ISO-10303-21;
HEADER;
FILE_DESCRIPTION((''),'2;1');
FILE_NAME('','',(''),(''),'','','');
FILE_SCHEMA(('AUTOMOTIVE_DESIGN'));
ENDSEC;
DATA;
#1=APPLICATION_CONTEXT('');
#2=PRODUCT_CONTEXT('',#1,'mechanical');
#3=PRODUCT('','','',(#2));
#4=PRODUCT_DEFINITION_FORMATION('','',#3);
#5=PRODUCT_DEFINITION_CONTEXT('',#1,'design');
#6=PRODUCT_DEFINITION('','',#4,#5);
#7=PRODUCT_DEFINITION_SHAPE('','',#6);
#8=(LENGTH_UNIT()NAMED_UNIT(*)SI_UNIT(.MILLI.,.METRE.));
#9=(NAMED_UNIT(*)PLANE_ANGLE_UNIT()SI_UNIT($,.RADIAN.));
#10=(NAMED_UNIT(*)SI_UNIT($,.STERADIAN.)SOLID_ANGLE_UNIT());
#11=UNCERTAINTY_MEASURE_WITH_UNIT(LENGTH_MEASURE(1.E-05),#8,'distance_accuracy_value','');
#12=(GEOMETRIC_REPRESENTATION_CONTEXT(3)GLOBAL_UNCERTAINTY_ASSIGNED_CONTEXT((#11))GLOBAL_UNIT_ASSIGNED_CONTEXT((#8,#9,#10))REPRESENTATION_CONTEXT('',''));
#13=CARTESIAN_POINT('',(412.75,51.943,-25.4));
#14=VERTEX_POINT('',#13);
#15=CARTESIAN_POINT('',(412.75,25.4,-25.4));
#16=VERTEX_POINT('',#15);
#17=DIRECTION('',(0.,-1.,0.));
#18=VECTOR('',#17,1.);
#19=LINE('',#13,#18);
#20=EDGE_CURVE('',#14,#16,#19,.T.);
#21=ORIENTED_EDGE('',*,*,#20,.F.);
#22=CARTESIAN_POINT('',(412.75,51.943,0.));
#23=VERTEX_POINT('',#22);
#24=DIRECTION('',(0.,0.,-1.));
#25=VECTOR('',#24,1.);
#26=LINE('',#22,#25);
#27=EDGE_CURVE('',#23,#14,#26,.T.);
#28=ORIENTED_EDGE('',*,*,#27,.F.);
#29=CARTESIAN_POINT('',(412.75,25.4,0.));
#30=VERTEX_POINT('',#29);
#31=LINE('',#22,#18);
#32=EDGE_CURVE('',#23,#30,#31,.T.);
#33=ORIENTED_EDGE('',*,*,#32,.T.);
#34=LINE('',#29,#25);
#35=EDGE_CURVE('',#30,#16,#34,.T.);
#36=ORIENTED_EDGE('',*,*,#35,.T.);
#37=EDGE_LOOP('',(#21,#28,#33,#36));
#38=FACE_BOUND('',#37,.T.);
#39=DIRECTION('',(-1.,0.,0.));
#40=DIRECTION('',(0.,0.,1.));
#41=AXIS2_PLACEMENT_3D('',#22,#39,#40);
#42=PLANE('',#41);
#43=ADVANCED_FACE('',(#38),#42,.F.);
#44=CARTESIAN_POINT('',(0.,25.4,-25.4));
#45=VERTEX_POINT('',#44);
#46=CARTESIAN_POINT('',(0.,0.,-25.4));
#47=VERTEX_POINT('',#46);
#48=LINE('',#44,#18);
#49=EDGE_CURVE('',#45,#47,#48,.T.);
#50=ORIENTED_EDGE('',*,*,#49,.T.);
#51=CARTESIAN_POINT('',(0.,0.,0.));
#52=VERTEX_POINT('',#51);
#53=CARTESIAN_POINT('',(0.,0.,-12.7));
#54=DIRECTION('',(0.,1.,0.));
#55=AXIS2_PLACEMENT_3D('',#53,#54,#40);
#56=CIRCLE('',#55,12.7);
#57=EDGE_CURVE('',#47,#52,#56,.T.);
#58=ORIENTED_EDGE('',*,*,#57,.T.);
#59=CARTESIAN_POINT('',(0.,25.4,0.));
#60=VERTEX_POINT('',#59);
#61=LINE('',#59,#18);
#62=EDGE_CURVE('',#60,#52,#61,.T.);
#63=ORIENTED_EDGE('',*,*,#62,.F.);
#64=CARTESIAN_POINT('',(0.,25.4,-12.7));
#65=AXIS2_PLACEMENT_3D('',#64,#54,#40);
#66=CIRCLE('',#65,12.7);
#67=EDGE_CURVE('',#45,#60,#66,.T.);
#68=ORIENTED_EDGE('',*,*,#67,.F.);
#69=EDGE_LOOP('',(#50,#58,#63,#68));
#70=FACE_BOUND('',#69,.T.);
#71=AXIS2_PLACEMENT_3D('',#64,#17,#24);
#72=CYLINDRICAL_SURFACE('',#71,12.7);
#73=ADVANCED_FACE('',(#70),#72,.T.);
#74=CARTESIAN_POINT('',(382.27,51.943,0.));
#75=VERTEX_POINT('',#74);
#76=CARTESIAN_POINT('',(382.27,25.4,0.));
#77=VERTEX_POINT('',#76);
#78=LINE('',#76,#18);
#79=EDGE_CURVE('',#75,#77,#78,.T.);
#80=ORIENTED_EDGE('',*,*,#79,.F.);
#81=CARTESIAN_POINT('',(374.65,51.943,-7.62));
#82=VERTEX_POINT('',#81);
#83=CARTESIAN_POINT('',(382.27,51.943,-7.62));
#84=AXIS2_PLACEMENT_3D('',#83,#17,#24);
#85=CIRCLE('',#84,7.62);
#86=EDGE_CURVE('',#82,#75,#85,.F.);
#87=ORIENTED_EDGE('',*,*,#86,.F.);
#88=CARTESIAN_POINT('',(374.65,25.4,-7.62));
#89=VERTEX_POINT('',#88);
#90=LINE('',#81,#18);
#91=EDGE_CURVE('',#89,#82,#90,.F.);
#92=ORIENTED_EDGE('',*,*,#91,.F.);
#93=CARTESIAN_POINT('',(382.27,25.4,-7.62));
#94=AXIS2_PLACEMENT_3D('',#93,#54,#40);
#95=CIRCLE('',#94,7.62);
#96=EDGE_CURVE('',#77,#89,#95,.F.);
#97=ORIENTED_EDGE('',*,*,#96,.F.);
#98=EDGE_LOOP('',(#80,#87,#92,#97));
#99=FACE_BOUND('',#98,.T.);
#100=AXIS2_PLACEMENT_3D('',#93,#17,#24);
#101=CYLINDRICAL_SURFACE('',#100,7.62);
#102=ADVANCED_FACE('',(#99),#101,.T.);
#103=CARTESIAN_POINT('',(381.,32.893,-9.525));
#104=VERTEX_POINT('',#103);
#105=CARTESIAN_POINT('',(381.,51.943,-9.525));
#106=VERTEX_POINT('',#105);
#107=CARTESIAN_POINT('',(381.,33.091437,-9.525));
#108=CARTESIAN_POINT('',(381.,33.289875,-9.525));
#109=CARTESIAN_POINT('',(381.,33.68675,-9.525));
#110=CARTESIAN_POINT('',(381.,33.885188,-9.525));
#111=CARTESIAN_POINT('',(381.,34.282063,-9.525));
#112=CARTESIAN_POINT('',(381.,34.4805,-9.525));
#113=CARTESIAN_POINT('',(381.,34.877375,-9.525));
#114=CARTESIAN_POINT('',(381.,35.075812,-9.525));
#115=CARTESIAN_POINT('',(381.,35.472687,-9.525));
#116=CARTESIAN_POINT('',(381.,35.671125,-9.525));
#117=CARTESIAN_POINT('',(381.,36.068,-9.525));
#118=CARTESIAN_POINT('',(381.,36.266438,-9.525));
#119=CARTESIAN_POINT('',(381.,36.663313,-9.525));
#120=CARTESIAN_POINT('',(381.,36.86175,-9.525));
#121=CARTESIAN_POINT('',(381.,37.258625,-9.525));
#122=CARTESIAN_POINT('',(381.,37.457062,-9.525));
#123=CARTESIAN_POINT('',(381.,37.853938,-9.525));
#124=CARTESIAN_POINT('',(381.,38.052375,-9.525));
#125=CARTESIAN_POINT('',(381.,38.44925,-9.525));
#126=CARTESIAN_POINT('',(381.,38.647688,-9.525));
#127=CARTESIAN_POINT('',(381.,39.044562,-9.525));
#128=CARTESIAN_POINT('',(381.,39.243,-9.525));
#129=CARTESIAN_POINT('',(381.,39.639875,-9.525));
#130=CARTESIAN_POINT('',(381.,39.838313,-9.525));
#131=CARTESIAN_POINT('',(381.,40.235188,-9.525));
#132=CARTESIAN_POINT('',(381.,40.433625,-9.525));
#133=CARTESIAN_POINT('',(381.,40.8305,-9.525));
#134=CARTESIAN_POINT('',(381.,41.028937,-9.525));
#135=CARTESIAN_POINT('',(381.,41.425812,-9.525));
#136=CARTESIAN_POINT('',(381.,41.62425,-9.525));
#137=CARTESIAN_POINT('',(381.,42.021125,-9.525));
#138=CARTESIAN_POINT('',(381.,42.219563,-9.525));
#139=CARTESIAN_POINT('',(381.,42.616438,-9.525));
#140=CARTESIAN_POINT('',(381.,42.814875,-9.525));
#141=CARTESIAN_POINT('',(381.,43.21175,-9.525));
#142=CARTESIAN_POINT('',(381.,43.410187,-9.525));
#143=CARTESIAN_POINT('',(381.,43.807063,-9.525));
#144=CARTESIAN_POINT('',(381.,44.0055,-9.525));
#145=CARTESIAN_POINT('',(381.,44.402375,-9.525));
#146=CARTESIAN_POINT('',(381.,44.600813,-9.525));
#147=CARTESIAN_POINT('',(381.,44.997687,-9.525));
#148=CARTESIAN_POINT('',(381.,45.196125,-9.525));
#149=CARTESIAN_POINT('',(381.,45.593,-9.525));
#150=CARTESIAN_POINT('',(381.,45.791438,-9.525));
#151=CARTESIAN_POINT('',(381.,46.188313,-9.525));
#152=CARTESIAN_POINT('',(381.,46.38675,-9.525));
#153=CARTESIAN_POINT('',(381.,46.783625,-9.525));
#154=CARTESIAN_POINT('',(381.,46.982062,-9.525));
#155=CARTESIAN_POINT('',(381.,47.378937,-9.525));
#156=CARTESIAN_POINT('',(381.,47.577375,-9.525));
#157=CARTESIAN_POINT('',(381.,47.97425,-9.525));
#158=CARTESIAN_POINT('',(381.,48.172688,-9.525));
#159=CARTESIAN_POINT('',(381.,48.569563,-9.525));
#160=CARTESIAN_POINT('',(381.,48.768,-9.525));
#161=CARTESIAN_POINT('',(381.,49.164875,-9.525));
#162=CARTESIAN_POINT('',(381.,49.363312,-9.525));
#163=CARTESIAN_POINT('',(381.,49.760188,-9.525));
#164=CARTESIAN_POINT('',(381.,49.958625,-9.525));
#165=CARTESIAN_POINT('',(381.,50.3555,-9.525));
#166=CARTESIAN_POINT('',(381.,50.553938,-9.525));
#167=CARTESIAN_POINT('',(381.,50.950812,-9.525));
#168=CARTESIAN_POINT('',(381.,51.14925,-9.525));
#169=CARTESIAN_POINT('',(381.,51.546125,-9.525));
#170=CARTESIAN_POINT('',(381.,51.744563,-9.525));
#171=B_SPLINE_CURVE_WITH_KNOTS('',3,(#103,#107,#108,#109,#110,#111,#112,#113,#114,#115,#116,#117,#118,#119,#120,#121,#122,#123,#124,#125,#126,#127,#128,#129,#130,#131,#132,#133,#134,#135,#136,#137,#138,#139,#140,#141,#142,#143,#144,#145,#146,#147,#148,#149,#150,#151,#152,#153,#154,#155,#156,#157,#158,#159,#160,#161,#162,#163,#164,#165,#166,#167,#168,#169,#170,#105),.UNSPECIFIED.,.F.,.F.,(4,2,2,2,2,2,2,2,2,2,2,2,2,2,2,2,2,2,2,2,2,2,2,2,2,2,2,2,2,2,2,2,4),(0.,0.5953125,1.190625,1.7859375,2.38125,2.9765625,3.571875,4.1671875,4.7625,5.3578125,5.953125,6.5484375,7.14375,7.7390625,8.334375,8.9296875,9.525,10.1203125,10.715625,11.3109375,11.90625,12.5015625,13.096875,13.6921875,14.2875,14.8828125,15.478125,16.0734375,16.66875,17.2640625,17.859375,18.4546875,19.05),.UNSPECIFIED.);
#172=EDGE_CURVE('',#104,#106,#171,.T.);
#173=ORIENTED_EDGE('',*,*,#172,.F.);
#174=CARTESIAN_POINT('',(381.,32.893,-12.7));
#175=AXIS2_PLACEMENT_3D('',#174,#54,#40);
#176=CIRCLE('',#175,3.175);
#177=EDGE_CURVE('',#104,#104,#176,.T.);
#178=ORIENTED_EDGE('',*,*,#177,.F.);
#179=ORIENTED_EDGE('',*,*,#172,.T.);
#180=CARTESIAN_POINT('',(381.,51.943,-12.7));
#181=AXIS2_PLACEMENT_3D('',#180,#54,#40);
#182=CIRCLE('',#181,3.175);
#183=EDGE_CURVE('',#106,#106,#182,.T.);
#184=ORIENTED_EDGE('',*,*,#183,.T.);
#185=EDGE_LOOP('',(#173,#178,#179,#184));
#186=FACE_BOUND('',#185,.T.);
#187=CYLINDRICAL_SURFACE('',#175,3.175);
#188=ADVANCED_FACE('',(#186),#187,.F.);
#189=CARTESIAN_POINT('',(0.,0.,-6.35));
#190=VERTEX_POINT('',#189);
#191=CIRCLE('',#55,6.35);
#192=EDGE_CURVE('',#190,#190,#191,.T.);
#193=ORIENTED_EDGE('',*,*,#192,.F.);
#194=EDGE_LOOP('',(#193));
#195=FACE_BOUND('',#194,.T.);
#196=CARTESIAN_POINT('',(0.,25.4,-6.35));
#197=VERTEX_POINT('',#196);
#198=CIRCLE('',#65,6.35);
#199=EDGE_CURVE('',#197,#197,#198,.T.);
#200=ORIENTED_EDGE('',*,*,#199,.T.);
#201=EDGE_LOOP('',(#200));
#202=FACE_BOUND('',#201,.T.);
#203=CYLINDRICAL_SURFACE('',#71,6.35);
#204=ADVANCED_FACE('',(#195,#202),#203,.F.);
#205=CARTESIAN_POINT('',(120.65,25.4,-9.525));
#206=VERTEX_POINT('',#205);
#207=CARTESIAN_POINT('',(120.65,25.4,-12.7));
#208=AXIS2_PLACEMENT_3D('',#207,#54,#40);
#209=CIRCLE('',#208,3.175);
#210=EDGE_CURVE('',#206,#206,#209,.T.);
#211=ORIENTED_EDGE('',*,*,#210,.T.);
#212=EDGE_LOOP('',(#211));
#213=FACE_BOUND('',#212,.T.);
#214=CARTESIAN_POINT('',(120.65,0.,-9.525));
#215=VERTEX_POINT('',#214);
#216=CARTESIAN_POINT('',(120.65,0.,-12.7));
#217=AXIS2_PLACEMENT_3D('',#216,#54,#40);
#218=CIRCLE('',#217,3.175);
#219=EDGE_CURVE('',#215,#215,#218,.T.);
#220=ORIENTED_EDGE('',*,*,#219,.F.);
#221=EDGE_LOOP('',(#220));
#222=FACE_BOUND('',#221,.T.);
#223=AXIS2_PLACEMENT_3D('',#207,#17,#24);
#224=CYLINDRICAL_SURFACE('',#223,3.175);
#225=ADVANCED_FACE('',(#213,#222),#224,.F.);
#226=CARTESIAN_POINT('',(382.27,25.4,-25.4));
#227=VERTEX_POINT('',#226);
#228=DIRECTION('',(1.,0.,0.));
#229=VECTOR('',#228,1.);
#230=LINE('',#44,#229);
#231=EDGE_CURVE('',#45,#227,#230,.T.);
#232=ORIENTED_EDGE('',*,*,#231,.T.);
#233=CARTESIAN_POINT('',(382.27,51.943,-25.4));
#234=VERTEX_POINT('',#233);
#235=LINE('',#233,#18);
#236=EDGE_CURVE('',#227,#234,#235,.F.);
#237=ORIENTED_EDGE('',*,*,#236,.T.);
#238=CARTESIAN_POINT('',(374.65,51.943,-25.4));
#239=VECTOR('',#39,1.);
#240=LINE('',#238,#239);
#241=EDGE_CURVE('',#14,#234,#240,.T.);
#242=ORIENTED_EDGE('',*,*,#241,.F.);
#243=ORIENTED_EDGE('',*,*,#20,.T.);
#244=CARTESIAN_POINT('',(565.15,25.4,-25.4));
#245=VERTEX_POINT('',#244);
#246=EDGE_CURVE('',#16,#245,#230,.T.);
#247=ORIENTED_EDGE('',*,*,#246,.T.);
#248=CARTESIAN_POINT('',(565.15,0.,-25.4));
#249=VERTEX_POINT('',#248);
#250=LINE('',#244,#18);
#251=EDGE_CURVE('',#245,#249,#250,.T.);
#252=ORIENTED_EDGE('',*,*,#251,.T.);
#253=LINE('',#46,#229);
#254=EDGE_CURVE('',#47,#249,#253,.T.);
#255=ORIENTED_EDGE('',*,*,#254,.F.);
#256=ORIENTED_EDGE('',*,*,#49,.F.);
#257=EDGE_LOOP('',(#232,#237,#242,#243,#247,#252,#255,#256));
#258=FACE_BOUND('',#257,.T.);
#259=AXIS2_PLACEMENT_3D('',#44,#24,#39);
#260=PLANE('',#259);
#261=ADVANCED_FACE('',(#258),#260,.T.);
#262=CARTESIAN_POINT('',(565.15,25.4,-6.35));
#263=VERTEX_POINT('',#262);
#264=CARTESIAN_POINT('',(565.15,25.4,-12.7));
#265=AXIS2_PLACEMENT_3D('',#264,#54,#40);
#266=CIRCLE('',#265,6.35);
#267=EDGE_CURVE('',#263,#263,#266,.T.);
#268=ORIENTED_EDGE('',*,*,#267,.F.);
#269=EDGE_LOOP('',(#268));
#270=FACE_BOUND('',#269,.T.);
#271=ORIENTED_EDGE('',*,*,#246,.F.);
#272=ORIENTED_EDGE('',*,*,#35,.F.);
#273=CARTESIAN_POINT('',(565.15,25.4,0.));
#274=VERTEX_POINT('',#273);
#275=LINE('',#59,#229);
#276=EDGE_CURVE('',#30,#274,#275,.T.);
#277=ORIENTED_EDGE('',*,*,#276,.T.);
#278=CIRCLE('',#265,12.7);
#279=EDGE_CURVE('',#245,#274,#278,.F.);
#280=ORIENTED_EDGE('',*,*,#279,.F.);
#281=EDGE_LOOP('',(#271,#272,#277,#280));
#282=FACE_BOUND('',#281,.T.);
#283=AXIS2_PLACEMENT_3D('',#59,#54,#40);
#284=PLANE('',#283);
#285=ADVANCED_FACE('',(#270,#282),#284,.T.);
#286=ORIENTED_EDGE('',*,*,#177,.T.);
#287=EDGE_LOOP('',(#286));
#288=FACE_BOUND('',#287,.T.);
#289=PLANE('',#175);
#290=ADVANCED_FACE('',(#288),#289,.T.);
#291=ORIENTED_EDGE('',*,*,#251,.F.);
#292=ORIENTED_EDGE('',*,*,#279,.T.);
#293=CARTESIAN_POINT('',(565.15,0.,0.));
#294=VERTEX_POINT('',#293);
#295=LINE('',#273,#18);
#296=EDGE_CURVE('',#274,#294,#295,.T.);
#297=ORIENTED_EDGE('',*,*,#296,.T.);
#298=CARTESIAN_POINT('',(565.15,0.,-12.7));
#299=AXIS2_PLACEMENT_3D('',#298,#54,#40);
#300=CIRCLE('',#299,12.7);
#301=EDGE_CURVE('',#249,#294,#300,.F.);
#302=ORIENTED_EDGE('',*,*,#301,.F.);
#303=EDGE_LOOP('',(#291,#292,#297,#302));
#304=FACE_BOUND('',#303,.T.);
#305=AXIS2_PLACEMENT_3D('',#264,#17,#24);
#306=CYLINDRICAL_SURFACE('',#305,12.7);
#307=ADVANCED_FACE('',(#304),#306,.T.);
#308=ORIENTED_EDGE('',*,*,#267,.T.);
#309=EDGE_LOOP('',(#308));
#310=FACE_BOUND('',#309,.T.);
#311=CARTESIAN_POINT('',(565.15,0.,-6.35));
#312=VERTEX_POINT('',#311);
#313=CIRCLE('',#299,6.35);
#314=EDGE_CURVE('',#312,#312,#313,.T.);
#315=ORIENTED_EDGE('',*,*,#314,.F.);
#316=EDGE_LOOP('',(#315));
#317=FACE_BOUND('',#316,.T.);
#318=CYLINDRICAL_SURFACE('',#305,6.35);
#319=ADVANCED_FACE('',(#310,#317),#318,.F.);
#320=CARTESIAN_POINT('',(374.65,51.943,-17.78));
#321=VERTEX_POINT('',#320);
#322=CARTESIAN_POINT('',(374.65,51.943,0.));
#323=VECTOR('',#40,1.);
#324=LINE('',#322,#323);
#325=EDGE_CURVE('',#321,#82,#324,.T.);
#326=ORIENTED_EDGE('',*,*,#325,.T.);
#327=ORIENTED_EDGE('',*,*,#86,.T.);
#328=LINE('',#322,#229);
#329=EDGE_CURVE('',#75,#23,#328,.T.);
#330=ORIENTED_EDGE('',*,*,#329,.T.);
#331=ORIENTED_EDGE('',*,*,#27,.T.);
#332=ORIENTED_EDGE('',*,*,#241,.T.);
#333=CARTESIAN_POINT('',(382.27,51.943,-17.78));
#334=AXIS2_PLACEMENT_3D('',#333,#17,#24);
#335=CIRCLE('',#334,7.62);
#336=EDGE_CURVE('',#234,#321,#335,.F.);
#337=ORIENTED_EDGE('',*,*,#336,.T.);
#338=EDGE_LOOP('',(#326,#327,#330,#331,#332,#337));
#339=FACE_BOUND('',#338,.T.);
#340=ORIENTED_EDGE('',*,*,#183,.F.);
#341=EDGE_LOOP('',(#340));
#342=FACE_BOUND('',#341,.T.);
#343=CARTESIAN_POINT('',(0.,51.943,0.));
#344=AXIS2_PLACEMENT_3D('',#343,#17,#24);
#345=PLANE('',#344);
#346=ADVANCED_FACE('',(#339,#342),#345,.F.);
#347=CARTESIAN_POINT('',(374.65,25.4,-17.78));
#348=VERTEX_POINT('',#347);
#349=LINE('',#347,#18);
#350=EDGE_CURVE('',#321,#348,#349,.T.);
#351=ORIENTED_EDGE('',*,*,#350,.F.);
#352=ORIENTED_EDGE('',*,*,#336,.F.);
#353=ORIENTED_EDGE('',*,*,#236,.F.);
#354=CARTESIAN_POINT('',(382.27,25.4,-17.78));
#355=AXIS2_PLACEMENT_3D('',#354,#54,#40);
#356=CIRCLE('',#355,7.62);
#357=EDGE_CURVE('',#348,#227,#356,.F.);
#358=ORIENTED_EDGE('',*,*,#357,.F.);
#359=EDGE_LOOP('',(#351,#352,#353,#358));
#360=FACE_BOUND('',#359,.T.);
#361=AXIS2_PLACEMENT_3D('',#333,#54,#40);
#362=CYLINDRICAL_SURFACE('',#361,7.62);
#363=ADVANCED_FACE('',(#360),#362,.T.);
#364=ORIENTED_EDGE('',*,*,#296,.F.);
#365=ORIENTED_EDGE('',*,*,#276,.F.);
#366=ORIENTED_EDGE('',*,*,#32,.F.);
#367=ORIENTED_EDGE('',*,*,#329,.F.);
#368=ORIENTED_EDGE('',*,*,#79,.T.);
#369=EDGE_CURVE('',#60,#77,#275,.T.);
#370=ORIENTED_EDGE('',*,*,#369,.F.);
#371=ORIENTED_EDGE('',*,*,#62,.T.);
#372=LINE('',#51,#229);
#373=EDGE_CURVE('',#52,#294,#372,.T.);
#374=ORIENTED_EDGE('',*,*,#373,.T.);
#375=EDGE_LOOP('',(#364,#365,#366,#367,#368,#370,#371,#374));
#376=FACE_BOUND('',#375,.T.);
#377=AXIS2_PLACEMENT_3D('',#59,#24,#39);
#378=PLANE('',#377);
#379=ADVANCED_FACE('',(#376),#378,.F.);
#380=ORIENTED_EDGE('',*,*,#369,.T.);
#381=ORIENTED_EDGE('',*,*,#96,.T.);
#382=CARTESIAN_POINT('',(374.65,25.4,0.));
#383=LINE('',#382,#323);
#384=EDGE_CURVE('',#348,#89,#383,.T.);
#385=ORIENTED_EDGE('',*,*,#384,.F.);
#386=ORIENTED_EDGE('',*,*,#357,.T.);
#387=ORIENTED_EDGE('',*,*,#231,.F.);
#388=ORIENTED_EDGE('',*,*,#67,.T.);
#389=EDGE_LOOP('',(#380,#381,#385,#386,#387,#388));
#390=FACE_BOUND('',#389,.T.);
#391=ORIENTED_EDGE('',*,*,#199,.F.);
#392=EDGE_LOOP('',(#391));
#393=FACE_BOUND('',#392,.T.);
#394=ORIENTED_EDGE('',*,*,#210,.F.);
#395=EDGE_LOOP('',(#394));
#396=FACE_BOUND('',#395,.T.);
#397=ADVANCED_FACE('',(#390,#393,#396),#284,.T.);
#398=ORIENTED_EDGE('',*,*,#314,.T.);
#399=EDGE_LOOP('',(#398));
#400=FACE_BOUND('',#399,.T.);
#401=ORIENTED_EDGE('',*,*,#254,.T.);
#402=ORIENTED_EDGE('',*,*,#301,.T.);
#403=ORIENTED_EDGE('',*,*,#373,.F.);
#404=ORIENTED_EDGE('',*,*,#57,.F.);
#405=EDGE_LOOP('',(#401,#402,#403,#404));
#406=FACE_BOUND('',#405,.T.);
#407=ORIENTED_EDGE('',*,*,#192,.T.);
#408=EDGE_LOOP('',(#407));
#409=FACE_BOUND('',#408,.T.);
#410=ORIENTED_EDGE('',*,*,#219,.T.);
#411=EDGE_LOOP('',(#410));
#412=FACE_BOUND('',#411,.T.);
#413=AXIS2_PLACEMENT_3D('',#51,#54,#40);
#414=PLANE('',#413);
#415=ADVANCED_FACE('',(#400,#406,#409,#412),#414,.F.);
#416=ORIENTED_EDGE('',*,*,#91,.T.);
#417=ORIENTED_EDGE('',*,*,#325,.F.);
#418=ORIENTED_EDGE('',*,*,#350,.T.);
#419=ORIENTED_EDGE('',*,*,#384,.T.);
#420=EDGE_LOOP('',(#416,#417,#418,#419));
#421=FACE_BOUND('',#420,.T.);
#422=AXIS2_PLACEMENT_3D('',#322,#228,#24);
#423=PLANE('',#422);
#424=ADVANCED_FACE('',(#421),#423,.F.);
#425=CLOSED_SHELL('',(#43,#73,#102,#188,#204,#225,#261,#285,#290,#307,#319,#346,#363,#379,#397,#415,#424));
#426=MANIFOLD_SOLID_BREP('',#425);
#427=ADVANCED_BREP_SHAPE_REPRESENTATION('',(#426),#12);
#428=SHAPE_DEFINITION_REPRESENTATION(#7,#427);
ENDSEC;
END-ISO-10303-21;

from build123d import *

# Parameters (mm, degrees)
SKETCH2_R           = 6.35
SKETCH2_R_2         = 3.175
BOSS_EXTRUDE1_DEPTH = 25.4
SKETCH14_W          = 38.1
SKETCH14_H          = 25.4
BOSS_EXTRUDE2_DEPTH = 26.543
SKETCH15_R          = 3.175
CUT_EXTRUDE1_DEPTH  = 19.05
FILLET1_R           = 7.62


with BuildPart() as part:
    # Sketch2 → Boss-Extrude1 (new body)
    with BuildSketch(Plane(origin=(0, 0, 0), x_dir=(1, 0, 0), z_dir=(0, 1, 0))):
        with BuildLine():
            ThreePointArc((0, 25.4), (-12.7, 12.7), (0, 0))
            Line((0, 0), (565.15, 0))
            ThreePointArc((565.15, 0), (577.85, 12.7), (565.15, 25.4))
            Line((565.15, 25.4), (0, 25.4))
        make_face()
        with Locations(Location((0, 12.7, 0), (0, 0, 270))):
            Circle(SKETCH2_R, mode=Mode.SUBTRACT)
        with Locations(Location((120.65, 12.7, 0), (0, 0, 270))):
            Circle(SKETCH2_R_2, mode=Mode.SUBTRACT)
        with Locations(Location((565.15, 12.7, 0), (0, 0, 270))):
            Circle(SKETCH2_R, mode=Mode.SUBTRACT)
    extrude(amount=BOSS_EXTRUDE1_DEPTH)

    # Sketch14 → Boss-Extrude2 (add)
    with BuildSketch(Plane(origin=(0, 25.4, 0), x_dir=(1, 0, 0), z_dir=(0, 1, 0))):
        with Locations((393.7, 12.7)):
            Rectangle(SKETCH14_W, SKETCH14_H)
    extrude(amount=BOSS_EXTRUDE2_DEPTH)

    # Sketch15 → Cut-Extrude1 (cut)
    with BuildSketch(Plane(origin=(0, 51.943, 0), x_dir=(1, 0, 0), z_dir=(0, 1, 0))):
        with Locations(Location((381, 12.7, 0), (0, 0, 270))):
            Circle(SKETCH15_R)
    extrude(amount=-CUT_EXTRUDE1_DEPTH, mode=Mode.SUBTRACT)

    # Fillet1
    fillet1_edges = [part.edges().sort_by_distance(p)[0] for p in [
        (374.65, 38.6715, 0),
        (374.65, 38.6715, -25.4),
    ]]
    fillet(fillet1_edges, radius=FILLET1_R)


solid = part.part
